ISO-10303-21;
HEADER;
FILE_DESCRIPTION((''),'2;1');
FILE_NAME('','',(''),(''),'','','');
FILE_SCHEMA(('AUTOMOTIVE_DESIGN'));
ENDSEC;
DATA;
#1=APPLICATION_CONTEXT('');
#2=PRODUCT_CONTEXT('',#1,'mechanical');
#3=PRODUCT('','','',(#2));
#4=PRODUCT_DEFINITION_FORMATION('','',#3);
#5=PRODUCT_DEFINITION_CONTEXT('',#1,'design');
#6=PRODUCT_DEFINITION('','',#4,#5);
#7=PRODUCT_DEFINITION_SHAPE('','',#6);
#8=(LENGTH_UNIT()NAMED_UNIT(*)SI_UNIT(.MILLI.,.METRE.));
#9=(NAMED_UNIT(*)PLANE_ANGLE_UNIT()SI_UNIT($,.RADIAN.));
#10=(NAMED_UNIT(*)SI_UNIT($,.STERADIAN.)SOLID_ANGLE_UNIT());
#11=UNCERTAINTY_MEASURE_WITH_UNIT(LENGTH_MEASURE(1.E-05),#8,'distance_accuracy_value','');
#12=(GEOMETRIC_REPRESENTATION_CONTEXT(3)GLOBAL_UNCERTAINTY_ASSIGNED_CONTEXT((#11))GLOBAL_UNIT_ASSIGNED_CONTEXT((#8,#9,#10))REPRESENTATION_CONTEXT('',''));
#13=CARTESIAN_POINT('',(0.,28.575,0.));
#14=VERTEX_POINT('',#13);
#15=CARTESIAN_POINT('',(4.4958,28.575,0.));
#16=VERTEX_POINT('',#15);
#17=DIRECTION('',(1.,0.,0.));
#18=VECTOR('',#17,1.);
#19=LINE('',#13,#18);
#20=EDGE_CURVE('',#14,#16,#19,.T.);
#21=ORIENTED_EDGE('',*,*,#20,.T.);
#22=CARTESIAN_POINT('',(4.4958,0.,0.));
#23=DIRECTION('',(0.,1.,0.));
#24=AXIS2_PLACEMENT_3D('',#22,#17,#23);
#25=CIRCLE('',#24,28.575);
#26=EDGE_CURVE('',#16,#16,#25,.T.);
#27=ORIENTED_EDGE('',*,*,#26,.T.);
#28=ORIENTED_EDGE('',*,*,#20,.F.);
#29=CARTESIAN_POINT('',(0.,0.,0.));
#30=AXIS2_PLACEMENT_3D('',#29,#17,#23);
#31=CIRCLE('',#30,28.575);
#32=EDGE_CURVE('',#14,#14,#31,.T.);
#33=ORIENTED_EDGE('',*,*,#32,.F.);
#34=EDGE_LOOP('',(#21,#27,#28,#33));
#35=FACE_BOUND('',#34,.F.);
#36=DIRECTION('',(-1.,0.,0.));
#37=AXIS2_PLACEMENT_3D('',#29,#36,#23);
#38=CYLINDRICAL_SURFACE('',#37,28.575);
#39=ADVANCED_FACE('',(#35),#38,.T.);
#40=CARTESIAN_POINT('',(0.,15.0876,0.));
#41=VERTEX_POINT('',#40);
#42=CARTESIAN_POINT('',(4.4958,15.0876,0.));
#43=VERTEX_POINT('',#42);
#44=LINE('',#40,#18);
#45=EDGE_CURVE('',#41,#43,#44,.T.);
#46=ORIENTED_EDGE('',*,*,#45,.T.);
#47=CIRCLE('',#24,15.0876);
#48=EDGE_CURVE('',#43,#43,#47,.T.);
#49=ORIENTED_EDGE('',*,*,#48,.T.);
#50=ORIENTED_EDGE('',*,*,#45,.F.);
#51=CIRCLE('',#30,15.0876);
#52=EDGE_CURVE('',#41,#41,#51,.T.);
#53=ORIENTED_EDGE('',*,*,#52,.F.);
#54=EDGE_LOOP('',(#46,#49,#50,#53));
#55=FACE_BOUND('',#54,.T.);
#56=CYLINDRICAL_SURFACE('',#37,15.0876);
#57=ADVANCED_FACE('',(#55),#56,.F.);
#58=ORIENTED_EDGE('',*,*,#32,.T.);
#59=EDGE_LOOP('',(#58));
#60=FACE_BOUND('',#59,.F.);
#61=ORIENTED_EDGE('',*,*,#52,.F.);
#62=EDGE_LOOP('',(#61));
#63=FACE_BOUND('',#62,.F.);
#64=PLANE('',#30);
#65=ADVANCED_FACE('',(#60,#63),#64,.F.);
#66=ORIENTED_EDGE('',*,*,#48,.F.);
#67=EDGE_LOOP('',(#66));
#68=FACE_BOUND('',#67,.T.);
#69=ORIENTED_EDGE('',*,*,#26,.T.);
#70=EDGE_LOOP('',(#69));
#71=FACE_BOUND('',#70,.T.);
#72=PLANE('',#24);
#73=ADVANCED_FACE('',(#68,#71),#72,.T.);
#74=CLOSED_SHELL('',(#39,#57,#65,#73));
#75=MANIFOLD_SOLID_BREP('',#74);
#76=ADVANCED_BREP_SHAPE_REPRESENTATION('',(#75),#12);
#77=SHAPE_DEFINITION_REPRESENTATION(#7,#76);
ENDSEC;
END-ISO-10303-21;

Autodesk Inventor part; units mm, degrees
ref_plane "YZ Plane" through (0, 0, 0) normal (1, 0, 0) x (0, 1, 0)
ref_plane "XZ Plane" through (0, 0, 0) normal (0, 1, 0) x (-1, 0, 0)
sketch "Sketch" plane through (0, 0, 0) normal (1, 0, 0) x (0, 1, 0)
  circle A0 centre (0, 0) radius 28.575
  circle A1 centre (0, 0) radius 15.0876
  dimension "d0" = 30.1752
  dimension "d1" = 57.15
extrude "Body" add sketch "Sketch" along normal blind 4.4958
ref_plane "Work Plane1" through (0, 0, 0) normal (0, 0, 1) x (1, 0, 0)
equation "\"d0\" = SD1"
equation "\"d1\" = SD2"
equation "\"d2\" = SD"
equation "\"SD1\" = 30.1752"
equation "\"SD2\" = 57.15"
equation "\"SD\" = 4.4958"
equation "\"NND\" = 28.575"
properties part number "ASTM F436 - 1 1/8" material "Steel, Mild"
